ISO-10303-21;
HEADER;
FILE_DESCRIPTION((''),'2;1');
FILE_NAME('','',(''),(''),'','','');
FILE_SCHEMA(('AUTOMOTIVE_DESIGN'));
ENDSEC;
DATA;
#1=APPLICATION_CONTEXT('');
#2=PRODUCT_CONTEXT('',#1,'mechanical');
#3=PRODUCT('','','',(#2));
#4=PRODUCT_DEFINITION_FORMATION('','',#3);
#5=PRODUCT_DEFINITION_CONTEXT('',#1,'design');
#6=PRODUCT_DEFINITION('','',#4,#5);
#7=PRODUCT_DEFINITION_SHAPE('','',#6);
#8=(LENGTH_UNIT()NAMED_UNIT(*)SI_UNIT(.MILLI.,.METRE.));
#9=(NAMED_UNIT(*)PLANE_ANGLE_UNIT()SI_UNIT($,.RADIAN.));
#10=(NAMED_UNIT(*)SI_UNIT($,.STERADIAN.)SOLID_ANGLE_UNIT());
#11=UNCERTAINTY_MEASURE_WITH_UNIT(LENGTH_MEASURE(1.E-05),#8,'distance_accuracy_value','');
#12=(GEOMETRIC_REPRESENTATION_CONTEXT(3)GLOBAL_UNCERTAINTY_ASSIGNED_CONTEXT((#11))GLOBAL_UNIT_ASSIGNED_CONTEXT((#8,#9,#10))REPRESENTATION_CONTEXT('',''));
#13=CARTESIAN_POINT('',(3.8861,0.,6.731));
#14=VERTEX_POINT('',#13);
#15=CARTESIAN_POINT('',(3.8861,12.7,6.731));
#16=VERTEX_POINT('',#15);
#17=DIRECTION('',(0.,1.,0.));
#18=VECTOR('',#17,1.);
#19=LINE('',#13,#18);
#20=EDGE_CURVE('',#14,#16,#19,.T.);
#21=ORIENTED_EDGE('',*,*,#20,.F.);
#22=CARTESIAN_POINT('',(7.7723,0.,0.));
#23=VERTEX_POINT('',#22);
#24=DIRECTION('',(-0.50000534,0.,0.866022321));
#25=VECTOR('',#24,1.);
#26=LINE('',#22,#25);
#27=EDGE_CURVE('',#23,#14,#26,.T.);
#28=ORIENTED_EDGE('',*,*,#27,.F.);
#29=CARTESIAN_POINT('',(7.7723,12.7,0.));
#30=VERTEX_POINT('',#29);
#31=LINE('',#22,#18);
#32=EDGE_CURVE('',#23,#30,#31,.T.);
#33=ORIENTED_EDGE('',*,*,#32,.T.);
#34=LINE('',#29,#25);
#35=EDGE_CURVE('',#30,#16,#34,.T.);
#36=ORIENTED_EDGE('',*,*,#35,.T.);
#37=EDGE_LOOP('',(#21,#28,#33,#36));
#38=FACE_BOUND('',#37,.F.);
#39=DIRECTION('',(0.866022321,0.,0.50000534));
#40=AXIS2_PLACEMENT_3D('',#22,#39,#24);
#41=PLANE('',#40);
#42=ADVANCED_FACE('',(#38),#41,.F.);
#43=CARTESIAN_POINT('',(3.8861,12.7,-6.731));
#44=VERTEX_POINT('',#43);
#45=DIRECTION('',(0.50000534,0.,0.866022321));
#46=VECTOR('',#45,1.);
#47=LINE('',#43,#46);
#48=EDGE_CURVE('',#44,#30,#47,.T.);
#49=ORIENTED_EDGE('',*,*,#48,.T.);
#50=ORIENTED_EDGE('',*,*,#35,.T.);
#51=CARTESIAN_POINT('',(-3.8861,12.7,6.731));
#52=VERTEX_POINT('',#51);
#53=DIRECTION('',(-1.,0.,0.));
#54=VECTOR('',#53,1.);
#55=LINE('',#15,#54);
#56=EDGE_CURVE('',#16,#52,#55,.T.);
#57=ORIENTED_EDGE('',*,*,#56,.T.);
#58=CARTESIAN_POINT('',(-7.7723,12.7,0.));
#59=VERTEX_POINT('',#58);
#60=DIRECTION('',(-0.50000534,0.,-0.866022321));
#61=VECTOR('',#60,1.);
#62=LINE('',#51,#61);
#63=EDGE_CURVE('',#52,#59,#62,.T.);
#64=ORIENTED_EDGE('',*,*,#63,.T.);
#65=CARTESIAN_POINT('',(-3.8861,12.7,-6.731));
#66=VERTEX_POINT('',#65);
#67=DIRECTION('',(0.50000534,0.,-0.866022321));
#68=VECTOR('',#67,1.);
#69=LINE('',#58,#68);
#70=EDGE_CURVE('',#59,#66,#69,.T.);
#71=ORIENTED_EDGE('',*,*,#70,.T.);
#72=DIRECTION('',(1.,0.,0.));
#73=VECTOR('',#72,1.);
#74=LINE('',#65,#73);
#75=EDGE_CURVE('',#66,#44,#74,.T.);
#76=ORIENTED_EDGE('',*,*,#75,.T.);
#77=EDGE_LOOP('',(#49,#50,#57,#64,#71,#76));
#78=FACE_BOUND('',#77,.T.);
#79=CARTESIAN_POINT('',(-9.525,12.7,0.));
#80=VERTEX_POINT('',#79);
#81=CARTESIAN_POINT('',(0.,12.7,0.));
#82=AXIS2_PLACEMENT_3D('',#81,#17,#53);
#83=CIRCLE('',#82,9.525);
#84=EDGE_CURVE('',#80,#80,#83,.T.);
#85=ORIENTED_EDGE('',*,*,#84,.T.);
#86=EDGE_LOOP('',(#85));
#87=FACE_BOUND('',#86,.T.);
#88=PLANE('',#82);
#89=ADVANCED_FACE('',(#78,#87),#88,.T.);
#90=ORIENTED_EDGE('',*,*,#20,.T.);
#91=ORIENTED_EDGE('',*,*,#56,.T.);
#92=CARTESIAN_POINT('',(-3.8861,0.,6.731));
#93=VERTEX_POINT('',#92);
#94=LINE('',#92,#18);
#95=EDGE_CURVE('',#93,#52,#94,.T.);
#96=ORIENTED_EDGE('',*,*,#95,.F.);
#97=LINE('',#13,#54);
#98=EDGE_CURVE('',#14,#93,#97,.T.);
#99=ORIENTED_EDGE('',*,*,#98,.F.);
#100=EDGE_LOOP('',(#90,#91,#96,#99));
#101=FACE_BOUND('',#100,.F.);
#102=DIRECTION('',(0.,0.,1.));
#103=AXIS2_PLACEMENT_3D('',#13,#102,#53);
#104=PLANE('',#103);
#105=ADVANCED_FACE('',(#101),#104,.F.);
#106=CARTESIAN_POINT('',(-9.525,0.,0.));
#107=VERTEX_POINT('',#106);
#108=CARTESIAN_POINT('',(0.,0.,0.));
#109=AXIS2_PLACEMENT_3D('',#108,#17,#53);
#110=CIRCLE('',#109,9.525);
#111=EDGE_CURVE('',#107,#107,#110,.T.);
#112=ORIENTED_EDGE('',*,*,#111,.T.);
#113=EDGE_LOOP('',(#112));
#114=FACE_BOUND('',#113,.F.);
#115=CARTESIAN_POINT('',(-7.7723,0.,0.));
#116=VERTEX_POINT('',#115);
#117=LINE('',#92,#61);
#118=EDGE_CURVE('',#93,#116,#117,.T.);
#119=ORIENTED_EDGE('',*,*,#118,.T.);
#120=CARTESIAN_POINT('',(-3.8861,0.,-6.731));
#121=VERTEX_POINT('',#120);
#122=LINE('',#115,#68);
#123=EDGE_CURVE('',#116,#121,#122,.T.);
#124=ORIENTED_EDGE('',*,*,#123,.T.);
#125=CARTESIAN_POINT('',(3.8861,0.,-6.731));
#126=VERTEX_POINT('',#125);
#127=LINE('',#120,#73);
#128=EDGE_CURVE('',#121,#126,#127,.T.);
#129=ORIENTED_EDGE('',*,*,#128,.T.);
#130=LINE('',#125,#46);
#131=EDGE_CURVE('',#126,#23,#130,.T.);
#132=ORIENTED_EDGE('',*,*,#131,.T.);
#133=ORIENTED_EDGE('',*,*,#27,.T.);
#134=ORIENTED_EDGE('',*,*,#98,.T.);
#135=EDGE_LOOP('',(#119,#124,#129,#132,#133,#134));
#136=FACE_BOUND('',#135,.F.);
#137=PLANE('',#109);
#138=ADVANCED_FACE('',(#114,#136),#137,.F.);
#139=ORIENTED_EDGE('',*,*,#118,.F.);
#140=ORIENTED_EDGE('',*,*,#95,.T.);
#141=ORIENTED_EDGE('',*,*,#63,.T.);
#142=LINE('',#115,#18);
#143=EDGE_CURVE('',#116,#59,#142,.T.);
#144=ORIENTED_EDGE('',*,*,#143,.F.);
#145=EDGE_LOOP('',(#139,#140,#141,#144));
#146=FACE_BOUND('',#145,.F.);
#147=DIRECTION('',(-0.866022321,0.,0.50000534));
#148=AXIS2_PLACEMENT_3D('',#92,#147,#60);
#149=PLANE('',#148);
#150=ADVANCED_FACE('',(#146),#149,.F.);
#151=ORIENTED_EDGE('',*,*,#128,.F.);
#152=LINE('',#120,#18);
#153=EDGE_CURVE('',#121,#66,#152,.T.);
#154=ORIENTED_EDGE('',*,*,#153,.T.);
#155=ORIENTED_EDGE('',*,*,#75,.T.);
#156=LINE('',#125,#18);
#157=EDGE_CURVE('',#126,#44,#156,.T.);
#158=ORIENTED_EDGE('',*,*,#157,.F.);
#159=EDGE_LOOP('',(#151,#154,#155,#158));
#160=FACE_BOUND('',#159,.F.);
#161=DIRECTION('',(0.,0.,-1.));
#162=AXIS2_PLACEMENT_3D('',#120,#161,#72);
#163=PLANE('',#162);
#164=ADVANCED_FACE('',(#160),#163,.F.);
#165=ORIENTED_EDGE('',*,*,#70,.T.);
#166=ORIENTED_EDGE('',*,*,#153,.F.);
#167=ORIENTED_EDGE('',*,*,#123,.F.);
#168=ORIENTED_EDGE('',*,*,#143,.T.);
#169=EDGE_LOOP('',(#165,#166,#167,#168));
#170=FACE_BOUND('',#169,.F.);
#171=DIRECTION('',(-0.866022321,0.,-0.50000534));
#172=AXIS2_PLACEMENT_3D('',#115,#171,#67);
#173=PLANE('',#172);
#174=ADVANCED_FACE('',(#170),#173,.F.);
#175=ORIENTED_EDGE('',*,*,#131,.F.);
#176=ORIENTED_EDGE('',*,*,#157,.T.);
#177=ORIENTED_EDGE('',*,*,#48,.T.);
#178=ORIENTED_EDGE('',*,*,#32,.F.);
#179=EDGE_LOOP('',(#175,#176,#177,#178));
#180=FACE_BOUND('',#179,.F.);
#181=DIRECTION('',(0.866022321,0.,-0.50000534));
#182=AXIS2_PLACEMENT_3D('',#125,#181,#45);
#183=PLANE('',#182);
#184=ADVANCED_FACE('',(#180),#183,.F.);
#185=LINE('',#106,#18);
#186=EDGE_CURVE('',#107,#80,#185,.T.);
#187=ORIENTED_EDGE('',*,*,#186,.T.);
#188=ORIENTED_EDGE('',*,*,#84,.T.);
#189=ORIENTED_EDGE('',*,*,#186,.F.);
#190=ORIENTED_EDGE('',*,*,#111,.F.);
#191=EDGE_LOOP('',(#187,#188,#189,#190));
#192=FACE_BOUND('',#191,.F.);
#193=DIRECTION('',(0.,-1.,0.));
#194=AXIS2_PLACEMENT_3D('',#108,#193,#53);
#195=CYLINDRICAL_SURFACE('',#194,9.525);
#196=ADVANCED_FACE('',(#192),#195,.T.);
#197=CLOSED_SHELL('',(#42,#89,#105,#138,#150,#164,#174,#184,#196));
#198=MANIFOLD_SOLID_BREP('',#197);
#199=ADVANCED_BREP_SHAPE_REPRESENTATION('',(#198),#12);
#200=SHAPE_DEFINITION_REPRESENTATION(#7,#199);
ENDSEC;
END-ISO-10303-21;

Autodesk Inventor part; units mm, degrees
ref_plane "YZ Plane" through (0, 0, 0) normal (1, 0, 0) x (0, 1, 0)
ref_plane "XZ Plane" through (0, 0, 0) normal (0, 1, 0) x (-1, 0, 0)
ref_plane "XY Plane" through (0, 0, 0) normal (0, 0, 1) x (1, 0, 0)
sketch "Sketch1" plane through (0, 0, 0) normal (0, 1, 0) x (-1, 0, 0)
  line L0 (-3.8861, 6.731) -> (3.8861, 6.731)
  line L1 (3.8861, 6.731) -> (7.7723, 0)
  line L2 (7.7723, 0) -> (3.8861, -6.731)
  line L3 (3.8861, -6.731) -> (-3.8861, -6.731)
  line L4 (-3.8861, -6.731) -> (-7.7723, 0)
  line L5 (-7.7723, 0) -> (-3.8861, 6.731)
  circle A0 centre (0, 0) radius 9.525
  point P0 (5.8292, -3.3655)
  dimension "d0" = 13.462
  dimension "d1" = 19.05
extrude "Extrusion1" add sketch "Sketch1" along normal blind 12.7
properties part number "SP-003"
